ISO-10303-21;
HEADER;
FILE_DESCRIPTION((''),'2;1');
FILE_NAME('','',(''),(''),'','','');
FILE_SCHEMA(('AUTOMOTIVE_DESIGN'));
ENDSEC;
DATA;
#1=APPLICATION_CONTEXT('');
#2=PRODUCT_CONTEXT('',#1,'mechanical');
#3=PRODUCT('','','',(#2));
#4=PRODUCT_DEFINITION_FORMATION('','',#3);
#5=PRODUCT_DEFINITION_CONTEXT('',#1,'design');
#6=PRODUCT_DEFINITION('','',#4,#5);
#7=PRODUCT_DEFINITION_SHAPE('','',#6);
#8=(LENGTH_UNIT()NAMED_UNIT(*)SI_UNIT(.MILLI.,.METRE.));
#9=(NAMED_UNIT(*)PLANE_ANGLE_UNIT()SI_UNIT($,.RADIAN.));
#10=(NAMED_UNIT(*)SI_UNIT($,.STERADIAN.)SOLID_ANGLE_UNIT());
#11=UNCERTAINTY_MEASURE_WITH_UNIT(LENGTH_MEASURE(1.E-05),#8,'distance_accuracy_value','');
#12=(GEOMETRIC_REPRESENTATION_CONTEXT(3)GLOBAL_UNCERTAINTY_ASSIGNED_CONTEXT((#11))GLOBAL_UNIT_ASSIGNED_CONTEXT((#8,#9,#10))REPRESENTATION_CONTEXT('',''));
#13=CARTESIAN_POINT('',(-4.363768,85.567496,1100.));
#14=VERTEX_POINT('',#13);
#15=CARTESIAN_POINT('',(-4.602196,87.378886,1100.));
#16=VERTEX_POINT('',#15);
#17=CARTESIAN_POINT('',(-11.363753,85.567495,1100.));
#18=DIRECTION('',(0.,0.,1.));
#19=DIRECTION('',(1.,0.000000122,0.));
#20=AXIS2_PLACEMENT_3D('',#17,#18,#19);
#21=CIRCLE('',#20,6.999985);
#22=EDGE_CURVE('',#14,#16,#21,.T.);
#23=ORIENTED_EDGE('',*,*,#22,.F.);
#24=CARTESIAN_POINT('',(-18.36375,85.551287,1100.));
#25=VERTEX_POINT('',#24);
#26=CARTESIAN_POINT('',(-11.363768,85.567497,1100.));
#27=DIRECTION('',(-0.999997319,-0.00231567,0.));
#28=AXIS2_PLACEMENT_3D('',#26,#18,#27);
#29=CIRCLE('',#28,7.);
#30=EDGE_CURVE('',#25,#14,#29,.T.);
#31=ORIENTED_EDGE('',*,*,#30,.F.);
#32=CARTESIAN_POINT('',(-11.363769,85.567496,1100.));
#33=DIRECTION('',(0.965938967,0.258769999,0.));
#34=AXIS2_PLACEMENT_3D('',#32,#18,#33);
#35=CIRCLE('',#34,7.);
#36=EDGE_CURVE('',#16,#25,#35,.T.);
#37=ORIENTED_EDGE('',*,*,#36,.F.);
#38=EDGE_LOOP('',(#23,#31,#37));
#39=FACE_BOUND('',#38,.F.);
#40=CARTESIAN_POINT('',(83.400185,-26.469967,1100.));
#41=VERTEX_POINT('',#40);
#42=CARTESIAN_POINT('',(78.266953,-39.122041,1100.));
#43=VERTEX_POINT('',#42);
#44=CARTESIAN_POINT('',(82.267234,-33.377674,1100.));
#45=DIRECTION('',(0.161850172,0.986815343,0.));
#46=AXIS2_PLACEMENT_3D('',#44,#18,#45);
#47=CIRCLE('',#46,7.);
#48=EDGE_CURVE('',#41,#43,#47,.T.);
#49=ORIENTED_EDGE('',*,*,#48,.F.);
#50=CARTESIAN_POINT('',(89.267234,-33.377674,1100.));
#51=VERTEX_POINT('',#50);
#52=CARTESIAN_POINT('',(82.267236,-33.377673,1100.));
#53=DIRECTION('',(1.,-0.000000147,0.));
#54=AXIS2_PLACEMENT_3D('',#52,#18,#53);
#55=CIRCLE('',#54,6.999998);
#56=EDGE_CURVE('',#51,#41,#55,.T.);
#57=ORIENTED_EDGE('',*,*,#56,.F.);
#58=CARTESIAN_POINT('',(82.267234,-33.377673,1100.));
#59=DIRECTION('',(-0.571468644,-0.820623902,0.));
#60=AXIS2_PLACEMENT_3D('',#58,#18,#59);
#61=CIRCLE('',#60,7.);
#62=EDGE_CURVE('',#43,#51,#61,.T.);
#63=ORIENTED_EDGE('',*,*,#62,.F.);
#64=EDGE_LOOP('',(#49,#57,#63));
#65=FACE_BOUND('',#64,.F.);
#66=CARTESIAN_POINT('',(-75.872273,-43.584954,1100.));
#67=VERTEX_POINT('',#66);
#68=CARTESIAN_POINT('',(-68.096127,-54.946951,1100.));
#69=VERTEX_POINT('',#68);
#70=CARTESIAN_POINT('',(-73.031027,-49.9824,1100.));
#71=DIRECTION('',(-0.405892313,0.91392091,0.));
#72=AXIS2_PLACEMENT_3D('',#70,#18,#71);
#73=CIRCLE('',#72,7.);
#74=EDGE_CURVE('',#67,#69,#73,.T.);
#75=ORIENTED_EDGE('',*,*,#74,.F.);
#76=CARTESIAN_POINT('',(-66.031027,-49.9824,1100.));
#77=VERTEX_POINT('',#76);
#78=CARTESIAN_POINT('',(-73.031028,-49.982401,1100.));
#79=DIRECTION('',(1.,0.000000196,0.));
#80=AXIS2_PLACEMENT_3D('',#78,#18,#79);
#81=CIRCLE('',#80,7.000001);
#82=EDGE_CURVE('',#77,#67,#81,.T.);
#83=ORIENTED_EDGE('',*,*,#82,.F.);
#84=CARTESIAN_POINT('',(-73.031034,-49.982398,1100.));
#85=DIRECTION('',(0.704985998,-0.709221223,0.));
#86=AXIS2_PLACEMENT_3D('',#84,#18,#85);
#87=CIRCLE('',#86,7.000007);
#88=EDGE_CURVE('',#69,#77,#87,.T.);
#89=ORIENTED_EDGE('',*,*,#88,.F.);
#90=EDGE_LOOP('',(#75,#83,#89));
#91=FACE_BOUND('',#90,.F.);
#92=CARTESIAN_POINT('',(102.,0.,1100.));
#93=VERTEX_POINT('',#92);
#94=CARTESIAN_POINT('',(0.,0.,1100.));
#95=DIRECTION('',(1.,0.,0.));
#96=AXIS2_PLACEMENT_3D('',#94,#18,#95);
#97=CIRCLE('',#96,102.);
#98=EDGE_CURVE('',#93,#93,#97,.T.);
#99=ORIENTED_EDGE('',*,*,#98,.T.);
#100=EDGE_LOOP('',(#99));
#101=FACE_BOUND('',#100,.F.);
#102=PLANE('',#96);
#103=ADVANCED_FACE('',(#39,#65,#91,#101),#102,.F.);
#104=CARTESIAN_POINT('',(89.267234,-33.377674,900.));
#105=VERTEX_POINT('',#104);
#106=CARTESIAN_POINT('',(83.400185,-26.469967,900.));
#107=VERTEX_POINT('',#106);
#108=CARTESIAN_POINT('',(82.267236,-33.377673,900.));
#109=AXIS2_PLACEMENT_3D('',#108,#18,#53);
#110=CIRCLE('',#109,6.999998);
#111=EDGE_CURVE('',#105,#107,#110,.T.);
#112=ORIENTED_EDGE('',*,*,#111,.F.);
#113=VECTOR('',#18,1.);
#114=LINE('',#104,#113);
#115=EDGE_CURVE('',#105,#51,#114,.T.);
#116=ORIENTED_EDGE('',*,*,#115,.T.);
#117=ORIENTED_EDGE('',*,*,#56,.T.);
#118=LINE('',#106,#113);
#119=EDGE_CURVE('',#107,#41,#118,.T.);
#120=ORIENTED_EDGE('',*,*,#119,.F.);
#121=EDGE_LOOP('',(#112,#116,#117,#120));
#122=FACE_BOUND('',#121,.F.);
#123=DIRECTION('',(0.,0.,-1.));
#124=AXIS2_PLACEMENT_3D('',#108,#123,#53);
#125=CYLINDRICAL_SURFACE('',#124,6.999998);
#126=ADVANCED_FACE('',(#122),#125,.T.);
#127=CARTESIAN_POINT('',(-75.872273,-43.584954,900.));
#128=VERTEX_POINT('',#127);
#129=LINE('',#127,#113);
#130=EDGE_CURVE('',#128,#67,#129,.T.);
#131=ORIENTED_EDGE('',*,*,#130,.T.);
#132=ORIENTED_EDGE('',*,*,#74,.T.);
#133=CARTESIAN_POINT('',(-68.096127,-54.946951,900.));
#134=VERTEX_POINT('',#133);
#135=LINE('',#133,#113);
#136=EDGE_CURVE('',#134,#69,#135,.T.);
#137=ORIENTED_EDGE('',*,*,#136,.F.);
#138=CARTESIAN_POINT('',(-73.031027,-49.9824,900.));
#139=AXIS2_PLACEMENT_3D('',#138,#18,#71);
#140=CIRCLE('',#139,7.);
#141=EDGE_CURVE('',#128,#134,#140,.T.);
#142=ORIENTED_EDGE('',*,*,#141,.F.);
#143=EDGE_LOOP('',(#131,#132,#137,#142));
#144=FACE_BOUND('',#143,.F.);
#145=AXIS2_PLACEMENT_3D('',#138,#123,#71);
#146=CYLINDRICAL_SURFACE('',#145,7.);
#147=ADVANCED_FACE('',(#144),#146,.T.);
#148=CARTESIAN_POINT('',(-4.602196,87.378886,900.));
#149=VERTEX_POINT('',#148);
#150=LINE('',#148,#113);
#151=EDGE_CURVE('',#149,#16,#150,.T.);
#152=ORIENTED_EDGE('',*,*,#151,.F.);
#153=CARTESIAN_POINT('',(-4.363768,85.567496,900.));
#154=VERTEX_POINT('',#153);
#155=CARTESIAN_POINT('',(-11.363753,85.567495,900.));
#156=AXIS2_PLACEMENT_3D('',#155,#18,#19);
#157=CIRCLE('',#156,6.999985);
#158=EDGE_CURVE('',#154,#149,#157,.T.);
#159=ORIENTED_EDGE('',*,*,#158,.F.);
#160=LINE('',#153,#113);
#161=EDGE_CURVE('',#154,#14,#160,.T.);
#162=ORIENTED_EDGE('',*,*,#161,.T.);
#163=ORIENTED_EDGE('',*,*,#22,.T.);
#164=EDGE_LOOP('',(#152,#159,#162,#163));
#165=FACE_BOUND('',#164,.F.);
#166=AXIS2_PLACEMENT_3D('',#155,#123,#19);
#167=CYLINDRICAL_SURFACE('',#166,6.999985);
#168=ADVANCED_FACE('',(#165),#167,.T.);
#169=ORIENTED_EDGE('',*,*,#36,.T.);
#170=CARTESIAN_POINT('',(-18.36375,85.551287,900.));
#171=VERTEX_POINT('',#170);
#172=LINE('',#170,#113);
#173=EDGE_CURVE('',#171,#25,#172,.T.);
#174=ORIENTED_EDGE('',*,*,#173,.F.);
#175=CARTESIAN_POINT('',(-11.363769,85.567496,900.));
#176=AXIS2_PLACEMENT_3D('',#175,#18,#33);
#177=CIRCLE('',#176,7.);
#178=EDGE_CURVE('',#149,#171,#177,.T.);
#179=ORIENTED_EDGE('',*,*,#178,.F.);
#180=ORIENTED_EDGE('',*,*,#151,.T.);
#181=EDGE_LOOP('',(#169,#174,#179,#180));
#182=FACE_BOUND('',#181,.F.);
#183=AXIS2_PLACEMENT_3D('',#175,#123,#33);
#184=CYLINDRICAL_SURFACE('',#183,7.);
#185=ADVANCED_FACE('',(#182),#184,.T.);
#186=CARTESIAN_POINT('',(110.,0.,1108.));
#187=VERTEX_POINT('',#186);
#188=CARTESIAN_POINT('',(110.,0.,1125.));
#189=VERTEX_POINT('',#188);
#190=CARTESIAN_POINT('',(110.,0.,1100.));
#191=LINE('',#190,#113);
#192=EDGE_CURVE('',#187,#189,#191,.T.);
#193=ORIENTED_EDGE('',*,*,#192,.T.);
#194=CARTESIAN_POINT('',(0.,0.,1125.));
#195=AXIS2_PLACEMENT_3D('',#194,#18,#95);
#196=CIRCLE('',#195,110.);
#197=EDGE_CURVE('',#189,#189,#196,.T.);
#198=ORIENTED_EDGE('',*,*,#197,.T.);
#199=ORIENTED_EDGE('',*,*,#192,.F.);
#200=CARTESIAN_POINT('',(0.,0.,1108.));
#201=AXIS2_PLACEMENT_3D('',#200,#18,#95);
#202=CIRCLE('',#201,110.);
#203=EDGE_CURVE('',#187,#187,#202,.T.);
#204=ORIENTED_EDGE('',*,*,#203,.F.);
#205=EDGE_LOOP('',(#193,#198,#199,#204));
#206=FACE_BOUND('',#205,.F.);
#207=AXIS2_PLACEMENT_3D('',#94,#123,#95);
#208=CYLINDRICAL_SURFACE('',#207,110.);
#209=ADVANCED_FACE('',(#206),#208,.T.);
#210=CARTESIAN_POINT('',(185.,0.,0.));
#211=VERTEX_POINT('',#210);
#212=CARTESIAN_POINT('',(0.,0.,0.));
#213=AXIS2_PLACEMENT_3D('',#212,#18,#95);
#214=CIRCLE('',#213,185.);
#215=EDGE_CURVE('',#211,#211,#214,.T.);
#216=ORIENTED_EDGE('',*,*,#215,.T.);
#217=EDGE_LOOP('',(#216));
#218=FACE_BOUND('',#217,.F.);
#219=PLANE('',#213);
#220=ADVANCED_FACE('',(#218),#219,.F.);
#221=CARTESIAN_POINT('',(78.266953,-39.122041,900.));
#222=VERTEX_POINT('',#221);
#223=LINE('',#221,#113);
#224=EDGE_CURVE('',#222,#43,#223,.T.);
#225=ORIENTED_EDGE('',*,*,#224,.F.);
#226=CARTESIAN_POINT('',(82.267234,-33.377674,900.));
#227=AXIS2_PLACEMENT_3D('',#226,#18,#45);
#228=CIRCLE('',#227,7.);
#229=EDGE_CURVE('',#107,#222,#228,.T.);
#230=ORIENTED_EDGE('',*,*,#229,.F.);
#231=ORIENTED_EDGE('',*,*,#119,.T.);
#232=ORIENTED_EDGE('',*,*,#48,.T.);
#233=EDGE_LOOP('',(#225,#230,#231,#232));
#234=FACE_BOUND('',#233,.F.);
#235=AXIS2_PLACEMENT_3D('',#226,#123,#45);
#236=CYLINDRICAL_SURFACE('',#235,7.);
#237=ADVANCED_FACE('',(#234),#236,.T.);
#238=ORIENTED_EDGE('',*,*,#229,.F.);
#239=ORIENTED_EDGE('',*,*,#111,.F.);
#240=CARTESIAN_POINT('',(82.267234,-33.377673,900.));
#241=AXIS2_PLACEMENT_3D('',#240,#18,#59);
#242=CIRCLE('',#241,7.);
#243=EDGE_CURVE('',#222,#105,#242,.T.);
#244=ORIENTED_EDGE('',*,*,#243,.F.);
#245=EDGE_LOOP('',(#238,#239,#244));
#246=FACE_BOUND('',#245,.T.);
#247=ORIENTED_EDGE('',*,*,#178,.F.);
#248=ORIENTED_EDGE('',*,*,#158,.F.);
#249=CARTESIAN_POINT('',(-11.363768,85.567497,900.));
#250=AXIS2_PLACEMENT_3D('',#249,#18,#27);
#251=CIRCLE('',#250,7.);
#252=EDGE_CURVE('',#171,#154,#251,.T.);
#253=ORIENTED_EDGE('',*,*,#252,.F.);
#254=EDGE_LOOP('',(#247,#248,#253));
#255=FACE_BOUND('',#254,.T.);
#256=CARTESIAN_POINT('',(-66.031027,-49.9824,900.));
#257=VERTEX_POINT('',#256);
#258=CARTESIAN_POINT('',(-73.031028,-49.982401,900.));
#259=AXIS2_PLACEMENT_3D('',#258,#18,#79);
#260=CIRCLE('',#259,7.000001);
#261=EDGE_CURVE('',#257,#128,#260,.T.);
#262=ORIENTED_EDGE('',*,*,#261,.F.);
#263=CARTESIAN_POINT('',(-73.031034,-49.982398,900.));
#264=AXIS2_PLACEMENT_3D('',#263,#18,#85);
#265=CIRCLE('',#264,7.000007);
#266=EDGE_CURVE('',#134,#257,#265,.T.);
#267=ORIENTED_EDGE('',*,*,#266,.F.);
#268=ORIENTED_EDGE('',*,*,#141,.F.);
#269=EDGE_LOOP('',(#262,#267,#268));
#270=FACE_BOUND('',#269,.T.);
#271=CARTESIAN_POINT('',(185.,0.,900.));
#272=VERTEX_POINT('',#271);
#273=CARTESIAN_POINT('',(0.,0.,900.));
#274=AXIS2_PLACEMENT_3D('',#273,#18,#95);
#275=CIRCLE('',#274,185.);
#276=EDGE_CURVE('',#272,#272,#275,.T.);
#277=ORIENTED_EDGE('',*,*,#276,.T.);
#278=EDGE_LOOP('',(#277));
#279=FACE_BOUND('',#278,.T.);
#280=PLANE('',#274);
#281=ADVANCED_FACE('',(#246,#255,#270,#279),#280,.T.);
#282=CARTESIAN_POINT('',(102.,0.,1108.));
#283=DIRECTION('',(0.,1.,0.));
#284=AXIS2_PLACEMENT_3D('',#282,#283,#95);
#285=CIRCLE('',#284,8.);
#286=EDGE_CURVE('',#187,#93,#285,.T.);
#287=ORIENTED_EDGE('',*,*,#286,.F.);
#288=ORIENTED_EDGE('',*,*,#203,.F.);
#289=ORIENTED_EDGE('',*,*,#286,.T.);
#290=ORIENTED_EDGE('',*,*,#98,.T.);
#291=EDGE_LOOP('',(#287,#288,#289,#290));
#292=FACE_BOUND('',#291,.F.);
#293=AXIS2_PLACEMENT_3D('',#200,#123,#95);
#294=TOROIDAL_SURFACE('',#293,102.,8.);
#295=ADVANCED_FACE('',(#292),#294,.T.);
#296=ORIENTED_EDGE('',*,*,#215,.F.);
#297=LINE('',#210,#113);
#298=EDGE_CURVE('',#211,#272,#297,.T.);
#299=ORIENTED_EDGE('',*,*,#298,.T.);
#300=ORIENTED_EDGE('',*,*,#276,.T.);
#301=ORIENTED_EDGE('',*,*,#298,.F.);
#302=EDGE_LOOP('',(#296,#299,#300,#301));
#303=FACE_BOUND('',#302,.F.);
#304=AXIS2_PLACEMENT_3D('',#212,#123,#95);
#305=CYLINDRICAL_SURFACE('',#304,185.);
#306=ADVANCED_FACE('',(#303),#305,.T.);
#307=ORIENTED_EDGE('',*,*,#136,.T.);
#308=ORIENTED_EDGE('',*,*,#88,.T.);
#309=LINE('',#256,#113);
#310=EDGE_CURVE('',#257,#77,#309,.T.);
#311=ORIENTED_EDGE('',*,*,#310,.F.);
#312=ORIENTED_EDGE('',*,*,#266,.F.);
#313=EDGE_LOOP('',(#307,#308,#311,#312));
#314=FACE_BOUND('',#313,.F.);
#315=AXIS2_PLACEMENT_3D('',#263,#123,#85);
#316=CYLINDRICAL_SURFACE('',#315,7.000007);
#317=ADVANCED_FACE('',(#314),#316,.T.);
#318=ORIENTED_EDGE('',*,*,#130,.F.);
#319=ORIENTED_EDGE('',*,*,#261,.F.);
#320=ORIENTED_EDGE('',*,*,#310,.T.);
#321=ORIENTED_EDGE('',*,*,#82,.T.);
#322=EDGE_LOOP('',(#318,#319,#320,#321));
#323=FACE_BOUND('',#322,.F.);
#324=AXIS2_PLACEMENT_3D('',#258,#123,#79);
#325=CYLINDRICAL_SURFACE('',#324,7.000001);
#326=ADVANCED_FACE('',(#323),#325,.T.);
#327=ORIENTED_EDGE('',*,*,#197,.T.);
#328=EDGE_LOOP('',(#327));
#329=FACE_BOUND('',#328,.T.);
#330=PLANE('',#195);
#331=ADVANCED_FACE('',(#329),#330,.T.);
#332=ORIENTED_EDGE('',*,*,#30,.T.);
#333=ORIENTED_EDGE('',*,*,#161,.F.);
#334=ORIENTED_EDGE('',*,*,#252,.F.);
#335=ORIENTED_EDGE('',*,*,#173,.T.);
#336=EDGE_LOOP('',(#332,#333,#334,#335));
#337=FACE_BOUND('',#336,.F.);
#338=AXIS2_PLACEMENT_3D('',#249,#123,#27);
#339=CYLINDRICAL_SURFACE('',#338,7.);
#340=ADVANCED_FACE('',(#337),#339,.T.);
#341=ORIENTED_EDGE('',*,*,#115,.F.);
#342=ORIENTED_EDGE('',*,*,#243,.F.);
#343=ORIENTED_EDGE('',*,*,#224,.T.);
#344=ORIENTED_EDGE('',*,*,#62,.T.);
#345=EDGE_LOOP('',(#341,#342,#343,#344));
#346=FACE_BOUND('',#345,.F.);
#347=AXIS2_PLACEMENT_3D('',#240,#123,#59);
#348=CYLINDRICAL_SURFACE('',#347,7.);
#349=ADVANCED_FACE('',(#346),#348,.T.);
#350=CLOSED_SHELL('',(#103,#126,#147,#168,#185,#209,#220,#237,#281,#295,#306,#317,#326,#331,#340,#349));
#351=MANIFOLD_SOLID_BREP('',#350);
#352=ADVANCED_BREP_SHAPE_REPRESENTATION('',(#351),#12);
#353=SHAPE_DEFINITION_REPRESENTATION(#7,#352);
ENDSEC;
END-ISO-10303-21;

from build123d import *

# Parameters (mm, degrees)
F0_R     = 185
F1_DEPTH = 900
F4_DEPTH = 200
F5_R     = 110
F5_R_2   = 7
F6_DEPTH = 25
F7_R     = 8


with BuildPart() as f1:
    # F0 (on Top) → F1 (new body)
    with BuildSketch(Plane.XY):
        Circle(F0_R)
    extrude(amount=F1_DEPTH)

    # F3 (on face) → F4 (join)
    with BuildSketch(Plane.XY.offset(900)):
        with BuildLine():
            ThreePointArc((83.400185, -26.469967), (75.780776, -30.745971), (78.266953, -39.122041))
            ThreePointArc((78.266953, -39.122041), (81.080729, -32.896282), (83.400185, -26.469967))
        make_face()
        with BuildLine():
            ThreePointArc((83.400185, -26.469967), (81.080729, -32.896282), (78.266953, -39.122041))
            ThreePointArc((78.266953, -39.122041), (85.507452, -39.58259), (89.267234, -33.377674))
            ThreePointArc((89.267234, -33.377674), (87.602525, -28.846154), (83.400185, -26.469967))
        make_face()
        with BuildLine():
            ThreePointArc((-68.096127, -54.946951), (-72.208025, -49.419138), (-75.872273, -43.584954))
            ThreePointArc((-75.872273, -43.584954), (-78.807669, -53.935931), (-68.096127, -54.946951))
        make_face()
        with BuildLine():
            ThreePointArc((-68.096127, -54.946951), (-66.56789, -52.670867), (-66.031027, -49.9824))
            ThreePointArc((-66.031027, -49.9824), (-69.215842, -44.113469), (-75.872273, -43.584954))
            ThreePointArc((-75.872273, -43.584954), (-72.208025, -49.419138), (-68.096127, -54.946951))
        make_face()
        with BuildLine():
            ThreePointArc((-4.602196, 87.378886), (-11.519275, 86.738436), (-18.36375, 85.551287))
            ThreePointArc((-18.36375, 85.551287), (-11.355664, 78.567501), (-4.363768, 85.567496))
            ThreePointArc((-4.363768, 85.567496), (-4.423631, 86.481003), (-4.602196, 87.378886))
        make_face()
        with BuildLine():
            ThreePointArc((-4.602196, 87.378886), (-12.28531, 92.506571), (-18.36375, 85.551287))
            ThreePointArc((-18.36375, 85.551287), (-11.519275, 86.738436), (-4.602196, 87.378886))
        make_face()
    extrude(amount=F4_DEPTH)

    # F5 (on face) → F6 (join)
    with BuildSketch(Plane.XY.offset(1100)):
        Circle(F5_R)
        with Locations((-11.363768, 85.567496)):
            Circle(F5_R_2, mode=Mode.SUBTRACT)
        with Locations((-11.363768, 85.567496)):
            Circle(F5_R_2)
    extrude(amount=F6_DEPTH)

    # F7
    f7_edges = [f1.edges().sort_by_distance(p)[0] for p in [
        (-110, 0, 1100),
    ]]
    fillet(f7_edges, radius=F7_R)


solid = f1.part
